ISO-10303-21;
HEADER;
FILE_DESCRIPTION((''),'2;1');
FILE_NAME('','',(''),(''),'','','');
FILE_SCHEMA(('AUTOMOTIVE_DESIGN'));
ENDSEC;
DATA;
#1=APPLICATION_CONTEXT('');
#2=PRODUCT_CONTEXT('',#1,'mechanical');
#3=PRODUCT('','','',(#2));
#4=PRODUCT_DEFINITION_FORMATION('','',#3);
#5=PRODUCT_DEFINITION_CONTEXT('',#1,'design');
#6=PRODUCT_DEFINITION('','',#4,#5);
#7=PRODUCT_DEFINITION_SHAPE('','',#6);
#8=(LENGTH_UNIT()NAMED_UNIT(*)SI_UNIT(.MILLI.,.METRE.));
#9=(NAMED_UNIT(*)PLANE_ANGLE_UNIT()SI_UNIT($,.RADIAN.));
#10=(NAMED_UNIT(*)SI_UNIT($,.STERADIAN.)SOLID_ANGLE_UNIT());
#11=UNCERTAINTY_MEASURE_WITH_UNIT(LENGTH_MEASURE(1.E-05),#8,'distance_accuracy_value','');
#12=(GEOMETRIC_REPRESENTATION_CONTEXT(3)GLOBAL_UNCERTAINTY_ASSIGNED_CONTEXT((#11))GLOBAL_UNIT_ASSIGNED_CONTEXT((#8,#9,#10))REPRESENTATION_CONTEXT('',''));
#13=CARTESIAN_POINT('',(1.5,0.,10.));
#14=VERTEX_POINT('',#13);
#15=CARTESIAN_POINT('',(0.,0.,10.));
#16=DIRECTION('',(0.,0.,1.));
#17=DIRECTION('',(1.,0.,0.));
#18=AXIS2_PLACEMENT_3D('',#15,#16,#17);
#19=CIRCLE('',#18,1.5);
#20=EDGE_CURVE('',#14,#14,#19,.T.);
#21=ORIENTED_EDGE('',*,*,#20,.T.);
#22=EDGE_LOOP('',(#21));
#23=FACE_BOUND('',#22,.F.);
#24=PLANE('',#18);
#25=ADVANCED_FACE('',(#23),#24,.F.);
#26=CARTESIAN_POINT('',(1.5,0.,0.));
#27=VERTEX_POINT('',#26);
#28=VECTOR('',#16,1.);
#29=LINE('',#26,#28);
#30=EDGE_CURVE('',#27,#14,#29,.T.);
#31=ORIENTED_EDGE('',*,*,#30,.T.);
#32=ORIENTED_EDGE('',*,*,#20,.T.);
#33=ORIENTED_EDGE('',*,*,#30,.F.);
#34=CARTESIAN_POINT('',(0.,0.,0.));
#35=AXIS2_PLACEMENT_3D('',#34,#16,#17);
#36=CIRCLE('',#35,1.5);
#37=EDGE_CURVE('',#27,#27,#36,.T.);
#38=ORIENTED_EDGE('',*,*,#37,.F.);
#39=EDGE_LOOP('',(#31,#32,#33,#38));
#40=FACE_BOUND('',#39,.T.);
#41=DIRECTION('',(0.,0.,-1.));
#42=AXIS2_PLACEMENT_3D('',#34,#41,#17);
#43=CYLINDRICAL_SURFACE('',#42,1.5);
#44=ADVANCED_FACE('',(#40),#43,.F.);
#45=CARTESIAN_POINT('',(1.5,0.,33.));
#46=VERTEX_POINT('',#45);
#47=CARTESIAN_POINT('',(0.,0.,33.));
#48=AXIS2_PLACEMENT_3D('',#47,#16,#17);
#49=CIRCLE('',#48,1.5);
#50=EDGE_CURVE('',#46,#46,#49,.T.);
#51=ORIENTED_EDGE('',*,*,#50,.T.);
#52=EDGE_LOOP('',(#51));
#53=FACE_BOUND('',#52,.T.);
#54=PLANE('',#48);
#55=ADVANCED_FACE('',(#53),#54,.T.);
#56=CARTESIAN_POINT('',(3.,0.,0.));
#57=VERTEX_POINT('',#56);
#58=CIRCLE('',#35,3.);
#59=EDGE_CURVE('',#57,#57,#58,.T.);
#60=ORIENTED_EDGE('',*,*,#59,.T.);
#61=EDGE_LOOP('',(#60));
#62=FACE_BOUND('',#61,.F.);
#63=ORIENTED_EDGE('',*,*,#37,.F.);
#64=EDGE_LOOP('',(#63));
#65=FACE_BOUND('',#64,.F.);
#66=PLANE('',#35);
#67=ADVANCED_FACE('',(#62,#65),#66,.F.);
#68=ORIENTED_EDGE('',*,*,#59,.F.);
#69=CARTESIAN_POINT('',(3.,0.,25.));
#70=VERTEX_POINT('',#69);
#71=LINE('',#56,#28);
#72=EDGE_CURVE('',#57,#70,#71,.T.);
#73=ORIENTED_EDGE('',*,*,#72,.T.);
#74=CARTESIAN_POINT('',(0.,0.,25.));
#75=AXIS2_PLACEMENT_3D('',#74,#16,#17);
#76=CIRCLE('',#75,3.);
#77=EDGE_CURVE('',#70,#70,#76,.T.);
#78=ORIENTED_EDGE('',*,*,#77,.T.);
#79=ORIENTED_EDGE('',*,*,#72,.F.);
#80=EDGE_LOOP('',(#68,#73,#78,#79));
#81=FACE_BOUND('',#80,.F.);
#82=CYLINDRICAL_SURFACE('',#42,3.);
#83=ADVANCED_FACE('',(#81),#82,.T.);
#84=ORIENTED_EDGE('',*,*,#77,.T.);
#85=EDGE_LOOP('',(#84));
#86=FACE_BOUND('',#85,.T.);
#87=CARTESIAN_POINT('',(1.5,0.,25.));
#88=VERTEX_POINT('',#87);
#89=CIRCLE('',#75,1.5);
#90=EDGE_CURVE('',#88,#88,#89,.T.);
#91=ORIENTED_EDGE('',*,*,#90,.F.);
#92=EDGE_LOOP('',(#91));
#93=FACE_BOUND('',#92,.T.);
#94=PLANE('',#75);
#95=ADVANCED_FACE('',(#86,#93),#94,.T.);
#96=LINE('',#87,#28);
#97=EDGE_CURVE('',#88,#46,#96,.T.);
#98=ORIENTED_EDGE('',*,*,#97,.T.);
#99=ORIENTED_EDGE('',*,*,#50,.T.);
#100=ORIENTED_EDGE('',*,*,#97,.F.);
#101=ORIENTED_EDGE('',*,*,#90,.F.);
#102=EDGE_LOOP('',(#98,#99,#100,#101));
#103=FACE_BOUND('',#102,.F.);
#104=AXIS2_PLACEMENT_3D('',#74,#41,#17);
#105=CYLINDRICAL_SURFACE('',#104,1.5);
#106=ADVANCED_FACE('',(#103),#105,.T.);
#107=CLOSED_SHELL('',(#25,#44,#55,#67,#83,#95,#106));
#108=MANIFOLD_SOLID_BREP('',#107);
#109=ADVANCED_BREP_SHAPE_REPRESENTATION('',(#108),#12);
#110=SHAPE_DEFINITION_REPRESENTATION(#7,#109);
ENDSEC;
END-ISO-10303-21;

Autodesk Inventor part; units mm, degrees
ref_plane "YZ Plane" through (0, 0, 0) normal (1, 0, 0) x (0, 1, 0)
ref_plane "XZ Plane" through (0, 0, 0) normal (0, 1, 0) x (-1, 0, 0)
ref_plane "XY Plane" through (0, 0, 0) normal (0, 0, 1) x (1, 0, 0)
sketch "Sketch1" plane through (0, 0, 0) normal (0, 0, 1) x (1, 0, 0)
  circle A0 centre (0, 0) radius 3
  circle A1 centre (0, 0) radius 1.5
  dimension "d0" = 6
  dimension "d1" = 3
extrude "Extrusion1" add sketch "Sketch1" along normal blind 25 contours A0 | A1
extrude "Extrusion2" cut sketch "Sketch1" along normal blind 10 contours A1
extrude "Extrusion3" add sketch "Sketch1" along normal blind 8 from surface at 25 contours A1
thread "Thread1" size "M3x0.5" class "6g" standard "ANSI Metric M Profile" full length
thread "Thread2" size "M3x0.5" class "6H" standard "ANSI Metric M Profile" full length
properties part number "Abstandsbolzen PA6.6 schwarz IA Ø6x20 I=M3x10 A=M3x8 o. Freistich"
